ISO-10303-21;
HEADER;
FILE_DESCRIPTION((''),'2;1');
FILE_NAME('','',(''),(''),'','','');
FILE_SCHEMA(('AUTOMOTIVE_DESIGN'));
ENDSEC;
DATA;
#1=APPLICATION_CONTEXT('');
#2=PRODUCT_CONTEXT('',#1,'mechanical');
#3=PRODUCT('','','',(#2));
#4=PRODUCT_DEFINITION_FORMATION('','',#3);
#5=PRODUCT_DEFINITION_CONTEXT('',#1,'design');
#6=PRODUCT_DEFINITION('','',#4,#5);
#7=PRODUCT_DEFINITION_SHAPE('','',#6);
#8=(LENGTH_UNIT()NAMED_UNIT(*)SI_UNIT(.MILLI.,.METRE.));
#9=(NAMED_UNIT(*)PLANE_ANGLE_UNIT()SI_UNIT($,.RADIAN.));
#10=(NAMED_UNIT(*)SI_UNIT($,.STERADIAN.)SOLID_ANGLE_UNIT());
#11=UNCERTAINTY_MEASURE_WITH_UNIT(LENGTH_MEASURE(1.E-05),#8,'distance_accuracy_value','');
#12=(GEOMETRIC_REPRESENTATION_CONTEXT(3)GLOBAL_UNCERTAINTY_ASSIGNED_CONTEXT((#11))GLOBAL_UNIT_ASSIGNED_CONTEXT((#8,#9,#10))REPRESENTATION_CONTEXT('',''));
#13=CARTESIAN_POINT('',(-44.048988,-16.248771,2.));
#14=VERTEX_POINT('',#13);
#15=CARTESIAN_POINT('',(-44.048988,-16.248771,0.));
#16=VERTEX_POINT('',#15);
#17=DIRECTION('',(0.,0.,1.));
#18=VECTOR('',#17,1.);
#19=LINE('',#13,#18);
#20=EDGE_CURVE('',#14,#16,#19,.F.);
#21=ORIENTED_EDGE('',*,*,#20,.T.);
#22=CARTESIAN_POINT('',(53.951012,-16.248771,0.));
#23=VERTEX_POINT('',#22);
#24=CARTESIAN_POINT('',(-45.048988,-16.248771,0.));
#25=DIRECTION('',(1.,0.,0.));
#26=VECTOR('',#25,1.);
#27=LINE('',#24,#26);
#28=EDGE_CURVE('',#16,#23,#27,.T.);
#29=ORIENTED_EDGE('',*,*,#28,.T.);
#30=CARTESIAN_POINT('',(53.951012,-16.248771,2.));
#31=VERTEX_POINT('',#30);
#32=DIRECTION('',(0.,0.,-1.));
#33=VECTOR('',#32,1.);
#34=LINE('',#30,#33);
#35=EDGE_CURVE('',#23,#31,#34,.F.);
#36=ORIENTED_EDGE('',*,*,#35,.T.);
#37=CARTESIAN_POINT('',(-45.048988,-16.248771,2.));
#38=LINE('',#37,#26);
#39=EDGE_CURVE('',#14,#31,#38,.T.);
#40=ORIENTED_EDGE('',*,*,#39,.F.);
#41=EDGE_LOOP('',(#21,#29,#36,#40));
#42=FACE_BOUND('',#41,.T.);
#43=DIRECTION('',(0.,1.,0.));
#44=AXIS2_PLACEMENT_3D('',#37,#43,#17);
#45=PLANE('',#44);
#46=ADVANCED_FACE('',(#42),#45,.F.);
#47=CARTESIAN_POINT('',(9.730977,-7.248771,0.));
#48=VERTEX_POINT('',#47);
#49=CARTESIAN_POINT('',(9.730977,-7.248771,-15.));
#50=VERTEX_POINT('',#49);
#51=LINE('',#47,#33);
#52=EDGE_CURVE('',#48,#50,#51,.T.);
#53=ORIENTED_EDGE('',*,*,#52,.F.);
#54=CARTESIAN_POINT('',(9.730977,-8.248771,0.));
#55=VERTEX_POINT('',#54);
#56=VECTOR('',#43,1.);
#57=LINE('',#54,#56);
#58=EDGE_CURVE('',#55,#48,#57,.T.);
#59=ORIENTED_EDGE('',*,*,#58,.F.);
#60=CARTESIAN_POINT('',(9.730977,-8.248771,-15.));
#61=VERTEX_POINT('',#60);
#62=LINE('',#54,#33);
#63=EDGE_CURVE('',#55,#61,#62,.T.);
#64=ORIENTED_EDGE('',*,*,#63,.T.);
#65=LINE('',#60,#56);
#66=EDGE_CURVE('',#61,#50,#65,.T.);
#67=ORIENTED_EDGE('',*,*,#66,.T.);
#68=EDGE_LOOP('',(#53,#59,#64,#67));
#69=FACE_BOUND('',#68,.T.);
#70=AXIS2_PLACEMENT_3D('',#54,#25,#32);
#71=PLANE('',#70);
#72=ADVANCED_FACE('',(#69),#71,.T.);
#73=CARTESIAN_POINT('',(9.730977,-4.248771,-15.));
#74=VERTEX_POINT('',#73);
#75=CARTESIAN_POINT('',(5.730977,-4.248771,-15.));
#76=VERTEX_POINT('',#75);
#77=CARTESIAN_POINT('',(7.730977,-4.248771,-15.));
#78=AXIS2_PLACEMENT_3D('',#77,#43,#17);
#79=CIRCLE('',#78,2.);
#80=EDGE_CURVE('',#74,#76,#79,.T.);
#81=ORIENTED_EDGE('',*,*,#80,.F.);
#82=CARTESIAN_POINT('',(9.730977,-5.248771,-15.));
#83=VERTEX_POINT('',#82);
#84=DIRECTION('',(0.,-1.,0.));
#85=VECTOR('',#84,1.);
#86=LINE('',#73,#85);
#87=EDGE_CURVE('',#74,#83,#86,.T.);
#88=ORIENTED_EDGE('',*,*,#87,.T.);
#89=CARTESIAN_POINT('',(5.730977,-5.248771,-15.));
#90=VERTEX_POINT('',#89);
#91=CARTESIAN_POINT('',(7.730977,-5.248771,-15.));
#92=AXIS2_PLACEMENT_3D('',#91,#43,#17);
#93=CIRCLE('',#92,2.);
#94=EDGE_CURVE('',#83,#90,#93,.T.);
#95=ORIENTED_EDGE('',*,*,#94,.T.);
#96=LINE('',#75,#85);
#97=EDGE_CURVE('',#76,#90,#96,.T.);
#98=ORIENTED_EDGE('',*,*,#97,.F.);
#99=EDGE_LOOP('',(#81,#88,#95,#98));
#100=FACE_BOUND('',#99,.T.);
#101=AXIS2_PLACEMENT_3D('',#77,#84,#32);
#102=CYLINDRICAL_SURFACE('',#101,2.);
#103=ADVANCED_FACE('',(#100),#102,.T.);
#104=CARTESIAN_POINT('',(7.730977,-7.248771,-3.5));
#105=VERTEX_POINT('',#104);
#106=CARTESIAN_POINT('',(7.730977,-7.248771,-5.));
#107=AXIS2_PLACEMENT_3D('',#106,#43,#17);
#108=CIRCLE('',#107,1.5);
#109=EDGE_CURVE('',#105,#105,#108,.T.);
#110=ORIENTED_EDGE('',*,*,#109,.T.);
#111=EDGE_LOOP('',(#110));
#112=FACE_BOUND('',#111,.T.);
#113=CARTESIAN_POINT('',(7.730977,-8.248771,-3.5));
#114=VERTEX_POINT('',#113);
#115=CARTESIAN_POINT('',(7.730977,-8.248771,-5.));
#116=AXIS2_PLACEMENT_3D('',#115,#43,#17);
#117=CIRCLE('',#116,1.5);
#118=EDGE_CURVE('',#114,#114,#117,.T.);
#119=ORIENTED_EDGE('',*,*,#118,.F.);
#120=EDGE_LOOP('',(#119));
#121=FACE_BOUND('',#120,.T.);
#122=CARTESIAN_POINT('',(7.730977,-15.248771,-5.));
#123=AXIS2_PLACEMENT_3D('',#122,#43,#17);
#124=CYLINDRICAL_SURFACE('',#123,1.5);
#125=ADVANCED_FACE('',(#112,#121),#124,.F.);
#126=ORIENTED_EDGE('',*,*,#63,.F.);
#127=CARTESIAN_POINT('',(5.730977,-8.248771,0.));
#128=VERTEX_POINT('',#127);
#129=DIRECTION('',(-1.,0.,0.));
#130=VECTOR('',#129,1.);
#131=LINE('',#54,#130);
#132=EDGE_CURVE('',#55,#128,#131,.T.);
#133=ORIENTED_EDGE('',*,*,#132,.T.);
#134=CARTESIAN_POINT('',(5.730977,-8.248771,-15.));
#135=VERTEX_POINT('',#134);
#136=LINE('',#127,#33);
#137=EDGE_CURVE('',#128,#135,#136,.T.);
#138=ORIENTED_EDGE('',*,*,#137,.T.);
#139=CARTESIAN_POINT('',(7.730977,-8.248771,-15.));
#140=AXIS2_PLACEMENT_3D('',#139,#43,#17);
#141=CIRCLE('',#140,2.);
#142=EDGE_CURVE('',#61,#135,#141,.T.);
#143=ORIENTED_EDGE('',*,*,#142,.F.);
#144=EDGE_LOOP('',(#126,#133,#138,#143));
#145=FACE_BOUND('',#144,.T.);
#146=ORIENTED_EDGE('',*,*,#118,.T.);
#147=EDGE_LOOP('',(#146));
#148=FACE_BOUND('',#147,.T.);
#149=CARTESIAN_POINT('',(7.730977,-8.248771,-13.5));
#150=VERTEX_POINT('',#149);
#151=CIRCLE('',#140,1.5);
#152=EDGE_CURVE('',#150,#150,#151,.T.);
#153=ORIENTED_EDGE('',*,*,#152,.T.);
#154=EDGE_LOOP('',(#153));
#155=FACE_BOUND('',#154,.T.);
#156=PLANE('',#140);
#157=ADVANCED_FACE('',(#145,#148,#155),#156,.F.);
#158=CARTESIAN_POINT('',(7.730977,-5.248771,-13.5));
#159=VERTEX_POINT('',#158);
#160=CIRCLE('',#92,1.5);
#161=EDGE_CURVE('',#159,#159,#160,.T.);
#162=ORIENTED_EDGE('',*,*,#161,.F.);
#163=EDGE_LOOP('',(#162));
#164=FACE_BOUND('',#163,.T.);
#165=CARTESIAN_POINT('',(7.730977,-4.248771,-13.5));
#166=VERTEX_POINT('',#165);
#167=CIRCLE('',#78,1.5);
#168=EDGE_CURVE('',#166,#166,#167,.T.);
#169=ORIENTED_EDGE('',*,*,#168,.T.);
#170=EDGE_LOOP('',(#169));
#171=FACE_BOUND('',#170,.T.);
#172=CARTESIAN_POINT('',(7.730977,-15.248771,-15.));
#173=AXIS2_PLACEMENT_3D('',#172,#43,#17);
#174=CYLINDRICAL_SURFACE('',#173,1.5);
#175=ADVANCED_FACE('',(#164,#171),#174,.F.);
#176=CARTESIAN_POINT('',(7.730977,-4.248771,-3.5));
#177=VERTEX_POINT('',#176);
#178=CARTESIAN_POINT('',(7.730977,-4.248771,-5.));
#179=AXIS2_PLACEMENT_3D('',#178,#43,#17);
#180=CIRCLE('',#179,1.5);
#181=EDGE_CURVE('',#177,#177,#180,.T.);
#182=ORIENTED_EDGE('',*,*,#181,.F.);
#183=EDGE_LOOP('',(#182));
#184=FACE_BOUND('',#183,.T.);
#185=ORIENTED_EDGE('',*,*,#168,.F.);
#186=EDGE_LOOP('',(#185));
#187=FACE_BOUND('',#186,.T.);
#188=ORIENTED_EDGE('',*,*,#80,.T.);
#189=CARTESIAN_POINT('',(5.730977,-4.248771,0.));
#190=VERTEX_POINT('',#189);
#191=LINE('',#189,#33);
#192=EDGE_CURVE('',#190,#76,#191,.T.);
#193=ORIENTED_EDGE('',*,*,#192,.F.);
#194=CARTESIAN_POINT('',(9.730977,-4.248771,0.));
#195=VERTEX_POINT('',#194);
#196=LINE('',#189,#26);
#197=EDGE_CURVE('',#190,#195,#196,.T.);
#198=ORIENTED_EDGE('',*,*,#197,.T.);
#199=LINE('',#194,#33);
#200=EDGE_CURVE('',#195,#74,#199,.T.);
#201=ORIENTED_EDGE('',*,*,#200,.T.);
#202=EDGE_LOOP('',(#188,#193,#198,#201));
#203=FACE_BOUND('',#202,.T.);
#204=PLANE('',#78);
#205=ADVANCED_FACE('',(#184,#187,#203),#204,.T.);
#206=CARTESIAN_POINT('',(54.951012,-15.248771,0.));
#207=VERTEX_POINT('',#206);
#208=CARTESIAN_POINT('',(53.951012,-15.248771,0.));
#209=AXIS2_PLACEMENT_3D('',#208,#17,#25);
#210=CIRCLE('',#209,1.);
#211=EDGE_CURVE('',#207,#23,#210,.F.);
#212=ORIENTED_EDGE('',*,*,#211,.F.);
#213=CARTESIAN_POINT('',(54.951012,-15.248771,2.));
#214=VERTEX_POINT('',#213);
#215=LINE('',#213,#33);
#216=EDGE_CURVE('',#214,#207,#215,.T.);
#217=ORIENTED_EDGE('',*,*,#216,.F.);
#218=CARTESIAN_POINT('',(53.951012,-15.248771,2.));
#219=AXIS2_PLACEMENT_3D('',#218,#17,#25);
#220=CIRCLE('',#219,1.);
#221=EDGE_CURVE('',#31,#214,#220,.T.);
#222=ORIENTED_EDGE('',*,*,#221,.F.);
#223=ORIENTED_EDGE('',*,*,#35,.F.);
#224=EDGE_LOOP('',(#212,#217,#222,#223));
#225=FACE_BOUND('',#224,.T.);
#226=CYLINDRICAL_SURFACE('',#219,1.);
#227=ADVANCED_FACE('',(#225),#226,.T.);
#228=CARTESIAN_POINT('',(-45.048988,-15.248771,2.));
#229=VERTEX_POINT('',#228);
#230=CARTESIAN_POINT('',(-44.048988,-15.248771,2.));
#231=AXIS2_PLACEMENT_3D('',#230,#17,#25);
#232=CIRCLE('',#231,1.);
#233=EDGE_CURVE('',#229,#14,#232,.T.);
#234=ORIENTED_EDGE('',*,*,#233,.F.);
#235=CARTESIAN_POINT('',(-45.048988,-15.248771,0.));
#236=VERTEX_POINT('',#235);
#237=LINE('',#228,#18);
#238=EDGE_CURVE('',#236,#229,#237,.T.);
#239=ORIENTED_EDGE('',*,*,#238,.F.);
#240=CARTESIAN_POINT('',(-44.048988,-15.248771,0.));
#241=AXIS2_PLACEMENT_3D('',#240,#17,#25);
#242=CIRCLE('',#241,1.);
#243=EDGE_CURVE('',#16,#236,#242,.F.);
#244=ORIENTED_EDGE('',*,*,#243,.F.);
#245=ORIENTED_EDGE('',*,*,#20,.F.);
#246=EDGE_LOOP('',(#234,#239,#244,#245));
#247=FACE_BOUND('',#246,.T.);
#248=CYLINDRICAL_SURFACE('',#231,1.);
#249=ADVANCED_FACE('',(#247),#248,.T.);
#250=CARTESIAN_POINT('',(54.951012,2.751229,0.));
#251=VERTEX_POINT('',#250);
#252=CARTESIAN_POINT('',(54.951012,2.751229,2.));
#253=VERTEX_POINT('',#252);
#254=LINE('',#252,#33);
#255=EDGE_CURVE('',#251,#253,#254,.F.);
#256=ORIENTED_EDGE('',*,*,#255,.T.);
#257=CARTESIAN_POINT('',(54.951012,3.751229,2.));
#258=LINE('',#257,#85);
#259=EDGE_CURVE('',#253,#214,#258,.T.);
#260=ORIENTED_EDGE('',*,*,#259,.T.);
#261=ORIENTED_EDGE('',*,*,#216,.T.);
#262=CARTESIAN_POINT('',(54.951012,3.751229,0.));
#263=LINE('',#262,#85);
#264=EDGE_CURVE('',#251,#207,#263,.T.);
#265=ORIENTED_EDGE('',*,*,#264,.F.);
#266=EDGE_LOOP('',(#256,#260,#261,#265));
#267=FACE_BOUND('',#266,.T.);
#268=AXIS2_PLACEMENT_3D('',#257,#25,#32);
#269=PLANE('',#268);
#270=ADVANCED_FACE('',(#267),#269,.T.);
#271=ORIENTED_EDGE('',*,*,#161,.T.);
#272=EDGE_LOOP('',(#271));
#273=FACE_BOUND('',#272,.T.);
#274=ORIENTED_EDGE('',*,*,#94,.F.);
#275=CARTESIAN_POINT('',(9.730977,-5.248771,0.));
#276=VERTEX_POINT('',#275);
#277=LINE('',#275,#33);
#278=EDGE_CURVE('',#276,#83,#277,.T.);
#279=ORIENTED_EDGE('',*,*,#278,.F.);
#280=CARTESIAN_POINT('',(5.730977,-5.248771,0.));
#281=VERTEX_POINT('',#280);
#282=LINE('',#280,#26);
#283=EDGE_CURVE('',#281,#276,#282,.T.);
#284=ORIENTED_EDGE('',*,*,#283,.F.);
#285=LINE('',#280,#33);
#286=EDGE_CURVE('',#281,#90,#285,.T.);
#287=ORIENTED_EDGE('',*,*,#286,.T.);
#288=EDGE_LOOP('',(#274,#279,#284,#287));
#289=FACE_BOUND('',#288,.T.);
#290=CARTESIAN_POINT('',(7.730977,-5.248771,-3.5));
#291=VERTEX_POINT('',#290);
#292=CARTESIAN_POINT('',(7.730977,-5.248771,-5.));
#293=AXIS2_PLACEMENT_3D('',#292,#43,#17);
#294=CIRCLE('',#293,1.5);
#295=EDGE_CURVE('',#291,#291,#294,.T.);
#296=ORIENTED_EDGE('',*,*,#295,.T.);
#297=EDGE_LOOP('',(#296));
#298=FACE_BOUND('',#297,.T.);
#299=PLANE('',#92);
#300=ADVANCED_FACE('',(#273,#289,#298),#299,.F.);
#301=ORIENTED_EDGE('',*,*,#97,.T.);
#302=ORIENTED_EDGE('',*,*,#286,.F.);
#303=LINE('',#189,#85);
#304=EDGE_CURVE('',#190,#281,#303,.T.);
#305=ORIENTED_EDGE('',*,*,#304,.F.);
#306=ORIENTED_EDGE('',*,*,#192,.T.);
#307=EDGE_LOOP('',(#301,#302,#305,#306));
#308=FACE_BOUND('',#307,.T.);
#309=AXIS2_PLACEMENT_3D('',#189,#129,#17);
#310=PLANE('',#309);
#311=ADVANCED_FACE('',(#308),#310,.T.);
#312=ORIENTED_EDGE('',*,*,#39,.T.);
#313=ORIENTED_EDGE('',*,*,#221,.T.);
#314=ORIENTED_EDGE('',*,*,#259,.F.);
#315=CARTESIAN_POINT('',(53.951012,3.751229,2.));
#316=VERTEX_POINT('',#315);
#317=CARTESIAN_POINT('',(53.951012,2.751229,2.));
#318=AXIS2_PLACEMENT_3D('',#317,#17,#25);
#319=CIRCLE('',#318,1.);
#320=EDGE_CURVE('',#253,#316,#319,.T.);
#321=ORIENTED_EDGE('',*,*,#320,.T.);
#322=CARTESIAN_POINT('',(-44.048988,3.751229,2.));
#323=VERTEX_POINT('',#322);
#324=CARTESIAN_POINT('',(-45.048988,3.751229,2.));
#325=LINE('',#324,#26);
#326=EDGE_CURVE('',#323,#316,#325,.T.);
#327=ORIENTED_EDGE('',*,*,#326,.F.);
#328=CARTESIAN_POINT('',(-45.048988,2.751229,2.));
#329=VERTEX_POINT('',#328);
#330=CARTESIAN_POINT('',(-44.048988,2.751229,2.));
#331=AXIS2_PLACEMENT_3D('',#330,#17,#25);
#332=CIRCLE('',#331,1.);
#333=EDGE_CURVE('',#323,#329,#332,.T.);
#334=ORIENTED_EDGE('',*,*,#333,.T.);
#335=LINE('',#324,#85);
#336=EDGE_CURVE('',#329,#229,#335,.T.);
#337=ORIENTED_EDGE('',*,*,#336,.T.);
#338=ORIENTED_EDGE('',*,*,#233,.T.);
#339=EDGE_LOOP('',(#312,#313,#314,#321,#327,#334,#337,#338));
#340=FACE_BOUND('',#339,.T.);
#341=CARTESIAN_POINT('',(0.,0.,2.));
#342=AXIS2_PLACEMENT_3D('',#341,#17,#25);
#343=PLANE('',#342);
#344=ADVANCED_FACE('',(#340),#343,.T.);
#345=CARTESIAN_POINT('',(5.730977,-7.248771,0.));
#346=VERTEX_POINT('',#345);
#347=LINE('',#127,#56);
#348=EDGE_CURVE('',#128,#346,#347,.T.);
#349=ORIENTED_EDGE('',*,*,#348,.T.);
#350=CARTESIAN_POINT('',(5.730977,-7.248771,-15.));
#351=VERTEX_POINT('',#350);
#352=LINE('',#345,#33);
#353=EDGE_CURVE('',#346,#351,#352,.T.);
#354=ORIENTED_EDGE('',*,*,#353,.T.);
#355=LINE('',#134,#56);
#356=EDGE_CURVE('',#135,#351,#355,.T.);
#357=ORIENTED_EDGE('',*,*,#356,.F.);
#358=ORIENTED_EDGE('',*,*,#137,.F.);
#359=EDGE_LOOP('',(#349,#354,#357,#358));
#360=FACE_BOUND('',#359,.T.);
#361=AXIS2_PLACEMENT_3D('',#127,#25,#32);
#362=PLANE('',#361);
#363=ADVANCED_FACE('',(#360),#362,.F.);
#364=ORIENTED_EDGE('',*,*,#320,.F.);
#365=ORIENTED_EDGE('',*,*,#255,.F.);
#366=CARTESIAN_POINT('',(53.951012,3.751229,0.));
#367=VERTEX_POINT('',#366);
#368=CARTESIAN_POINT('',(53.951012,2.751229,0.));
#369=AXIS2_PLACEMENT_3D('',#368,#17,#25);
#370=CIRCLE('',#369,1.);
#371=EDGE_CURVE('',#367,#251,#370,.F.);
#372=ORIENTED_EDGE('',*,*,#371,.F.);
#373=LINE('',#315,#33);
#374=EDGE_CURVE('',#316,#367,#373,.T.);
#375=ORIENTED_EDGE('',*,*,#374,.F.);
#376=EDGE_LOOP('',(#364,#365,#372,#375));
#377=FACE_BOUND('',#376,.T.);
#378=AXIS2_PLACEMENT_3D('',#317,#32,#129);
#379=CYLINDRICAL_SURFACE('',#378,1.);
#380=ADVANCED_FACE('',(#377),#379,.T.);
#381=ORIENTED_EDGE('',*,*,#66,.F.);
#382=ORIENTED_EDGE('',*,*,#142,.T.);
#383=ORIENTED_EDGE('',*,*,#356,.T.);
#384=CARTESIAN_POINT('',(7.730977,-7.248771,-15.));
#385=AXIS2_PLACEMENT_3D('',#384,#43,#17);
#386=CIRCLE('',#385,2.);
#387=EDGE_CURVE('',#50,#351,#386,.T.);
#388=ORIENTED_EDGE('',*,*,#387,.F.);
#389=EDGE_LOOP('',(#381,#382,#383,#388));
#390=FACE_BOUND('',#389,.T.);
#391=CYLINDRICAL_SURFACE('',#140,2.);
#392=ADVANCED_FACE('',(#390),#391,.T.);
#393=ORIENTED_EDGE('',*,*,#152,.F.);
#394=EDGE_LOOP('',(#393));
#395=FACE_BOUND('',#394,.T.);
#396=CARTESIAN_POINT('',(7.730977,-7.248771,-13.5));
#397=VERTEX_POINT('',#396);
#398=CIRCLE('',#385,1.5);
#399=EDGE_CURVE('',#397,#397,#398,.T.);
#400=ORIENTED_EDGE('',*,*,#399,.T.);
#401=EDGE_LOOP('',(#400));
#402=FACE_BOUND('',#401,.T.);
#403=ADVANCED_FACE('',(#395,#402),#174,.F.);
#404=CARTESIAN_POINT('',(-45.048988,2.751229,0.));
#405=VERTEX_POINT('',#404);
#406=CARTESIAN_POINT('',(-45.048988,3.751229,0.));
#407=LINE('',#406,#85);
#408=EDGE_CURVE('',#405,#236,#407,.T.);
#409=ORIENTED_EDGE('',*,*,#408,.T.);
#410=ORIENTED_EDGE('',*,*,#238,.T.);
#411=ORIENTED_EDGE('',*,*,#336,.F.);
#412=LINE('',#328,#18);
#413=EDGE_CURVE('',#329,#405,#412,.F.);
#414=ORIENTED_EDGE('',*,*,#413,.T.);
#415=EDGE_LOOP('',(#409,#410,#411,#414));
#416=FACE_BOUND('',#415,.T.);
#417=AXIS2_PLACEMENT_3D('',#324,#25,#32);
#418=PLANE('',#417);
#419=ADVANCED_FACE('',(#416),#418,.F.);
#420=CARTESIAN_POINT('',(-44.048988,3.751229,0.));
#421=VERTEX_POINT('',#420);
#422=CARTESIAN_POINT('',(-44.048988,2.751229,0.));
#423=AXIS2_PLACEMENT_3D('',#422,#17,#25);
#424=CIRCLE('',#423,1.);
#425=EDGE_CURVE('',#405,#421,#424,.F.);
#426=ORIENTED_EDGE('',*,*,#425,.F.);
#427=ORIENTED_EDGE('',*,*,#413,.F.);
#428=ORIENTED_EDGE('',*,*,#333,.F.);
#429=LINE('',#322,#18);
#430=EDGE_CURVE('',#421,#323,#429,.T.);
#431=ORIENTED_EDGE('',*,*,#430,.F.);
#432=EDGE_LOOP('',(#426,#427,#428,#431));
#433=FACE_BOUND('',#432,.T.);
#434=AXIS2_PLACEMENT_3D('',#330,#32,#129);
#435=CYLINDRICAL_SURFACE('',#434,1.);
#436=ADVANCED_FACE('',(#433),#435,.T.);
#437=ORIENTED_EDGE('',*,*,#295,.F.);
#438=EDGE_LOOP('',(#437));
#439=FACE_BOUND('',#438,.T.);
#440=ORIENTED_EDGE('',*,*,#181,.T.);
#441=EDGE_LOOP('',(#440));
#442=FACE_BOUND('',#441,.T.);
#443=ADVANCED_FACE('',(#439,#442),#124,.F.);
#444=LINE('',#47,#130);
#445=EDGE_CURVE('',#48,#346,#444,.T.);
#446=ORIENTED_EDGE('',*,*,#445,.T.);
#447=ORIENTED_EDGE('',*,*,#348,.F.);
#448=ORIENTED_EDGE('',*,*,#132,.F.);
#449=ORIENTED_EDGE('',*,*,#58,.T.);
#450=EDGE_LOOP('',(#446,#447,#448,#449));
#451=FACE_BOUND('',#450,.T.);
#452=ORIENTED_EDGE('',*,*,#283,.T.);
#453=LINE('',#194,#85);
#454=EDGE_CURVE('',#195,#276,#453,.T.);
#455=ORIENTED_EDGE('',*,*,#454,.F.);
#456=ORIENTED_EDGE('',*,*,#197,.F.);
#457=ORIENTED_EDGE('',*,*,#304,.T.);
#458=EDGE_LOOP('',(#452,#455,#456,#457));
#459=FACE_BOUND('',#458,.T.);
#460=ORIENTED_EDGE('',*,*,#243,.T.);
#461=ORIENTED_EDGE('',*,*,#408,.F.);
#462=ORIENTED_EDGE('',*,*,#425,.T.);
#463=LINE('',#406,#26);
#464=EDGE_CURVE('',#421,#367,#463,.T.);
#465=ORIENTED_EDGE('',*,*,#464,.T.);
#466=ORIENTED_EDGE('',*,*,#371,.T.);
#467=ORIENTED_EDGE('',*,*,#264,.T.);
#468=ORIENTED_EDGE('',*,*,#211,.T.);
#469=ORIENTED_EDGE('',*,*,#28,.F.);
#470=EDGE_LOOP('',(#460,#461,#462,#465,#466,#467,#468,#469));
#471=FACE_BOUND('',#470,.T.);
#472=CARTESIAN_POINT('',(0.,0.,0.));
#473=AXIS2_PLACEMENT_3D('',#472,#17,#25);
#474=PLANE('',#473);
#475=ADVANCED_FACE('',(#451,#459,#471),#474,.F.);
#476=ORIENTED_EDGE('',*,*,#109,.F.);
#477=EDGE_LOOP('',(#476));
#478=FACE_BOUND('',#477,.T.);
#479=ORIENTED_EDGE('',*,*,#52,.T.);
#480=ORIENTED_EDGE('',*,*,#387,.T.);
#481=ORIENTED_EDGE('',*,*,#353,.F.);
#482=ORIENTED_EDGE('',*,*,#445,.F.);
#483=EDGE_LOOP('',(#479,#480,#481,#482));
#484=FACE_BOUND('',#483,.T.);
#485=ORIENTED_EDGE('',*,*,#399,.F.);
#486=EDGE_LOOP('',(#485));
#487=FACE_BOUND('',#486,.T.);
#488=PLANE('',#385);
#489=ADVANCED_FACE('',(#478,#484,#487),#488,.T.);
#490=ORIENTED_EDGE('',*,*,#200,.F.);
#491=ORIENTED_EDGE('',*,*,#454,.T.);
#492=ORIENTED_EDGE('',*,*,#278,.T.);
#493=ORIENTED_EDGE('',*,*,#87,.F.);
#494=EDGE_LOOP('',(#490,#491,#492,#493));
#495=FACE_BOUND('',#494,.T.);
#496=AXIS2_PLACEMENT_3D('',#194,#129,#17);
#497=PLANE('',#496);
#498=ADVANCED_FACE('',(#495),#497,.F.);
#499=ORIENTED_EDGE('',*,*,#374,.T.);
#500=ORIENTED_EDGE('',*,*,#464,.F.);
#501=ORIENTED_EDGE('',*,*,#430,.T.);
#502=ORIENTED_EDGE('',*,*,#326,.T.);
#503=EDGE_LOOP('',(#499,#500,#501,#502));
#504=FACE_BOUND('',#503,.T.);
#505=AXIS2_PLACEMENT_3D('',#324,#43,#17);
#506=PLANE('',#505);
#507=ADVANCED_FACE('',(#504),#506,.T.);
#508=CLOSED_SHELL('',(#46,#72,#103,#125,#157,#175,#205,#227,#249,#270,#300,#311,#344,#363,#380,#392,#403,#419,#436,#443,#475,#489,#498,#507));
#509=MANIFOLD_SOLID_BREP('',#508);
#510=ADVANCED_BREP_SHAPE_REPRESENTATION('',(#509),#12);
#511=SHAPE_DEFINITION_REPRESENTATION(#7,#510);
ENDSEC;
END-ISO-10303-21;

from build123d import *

# Parameters (mm, degrees)
SKETCH1_W           = 100
SKETCH1_H           = 20
BOSS_EXTRUDE1_DEPTH = 2
FILLET6_R           = 1
FILLET7_R           = 1
FILLET8_R           = 1
FILLET9_R           = 1
BOSS_EXTRUDE2_DEPTH = 1
BOSS_EXTRUDE3_START = 1
BOSS_EXTRUDE3_DEPTH = 1
SKETCH4_R           = 1.5
CUT_EXTRUDE4_DEPTH  = 11


with BuildPart() as part:
    # Sketch1 → Boss-Extrude1 (new body)
    with BuildSketch(Plane.XY):
        with Locations((4.951011889, -6.24877109)):
            Rectangle(SKETCH1_W, SKETCH1_H)
    extrude(amount=BOSS_EXTRUDE1_DEPTH)

    # Fillet6
    fillet6_edges = [part.edges().sort_by_distance(p)[0] for p in [
        (54.951011889, -16.24877109, 1),
    ]]
    fillet(fillet6_edges, radius=FILLET6_R)

    # Fillet7
    fillet7_edges = [part.edges().sort_by_distance(p)[0] for p in [
        (-45.048988111, -16.24877109, 1),
    ]]
    fillet(fillet7_edges, radius=FILLET7_R)

    # Fillet8
    fillet8_edges = [part.edges().sort_by_distance(p)[0] for p in [
        (-45.048988111, 3.75122891, 1),
    ]]
    fillet(fillet8_edges, radius=FILLET8_R)

    # Fillet9
    fillet9_edges = [part.edges().sort_by_distance(p)[0] for p in [
        (54.951011889, 3.75122891, 1),
    ]]
    fillet(fillet9_edges, radius=FILLET9_R)

    # Sketch2 → Boss-Extrude2 (add)
    with BuildSketch(Plane(origin=(0, -7.24877109, 0), x_dir=(-1, 0, 0), z_dir=(0, -1, 0))):
        with BuildLine():
            Line((-9.730976741, 0), (-9.730976741, 15))
            ThreePointArc((-9.730976741, 15), (-7.730976741, 17), (-5.730976741, 15))
            Line((-5.730976741, 15), (-5.730976741, 0))
            Line((-5.730976741, 0), (-9.730976741, 0))
        make_face()
    extrude(amount=BOSS_EXTRUDE2_DEPTH)

    # Sketch3 → Boss-Extrude3 (add)
    with BuildSketch(Plane(origin=(0, -5.24877109, 0), x_dir=(1, 0, 0), z_dir=(0, 1, 0)).offset(BOSS_EXTRUDE3_START)):
        with BuildLine():
            Line((5.730976741, 0), (5.730976741, 15))
            ThreePointArc((5.730976741, 15), (7.730976741, 17), (9.730976741, 15))
            Line((9.730976741, 15), (9.730976741, 0))
            Line((9.730976741, 0), (5.730976741, 0))
        make_face()
    extrude(amount=-BOSS_EXTRUDE3_DEPTH)

    # Sketch4 → Cut-Extrude4 (cut)
    with BuildSketch(Plane(origin=(0, -4.24877109, 0), x_dir=(1, 0, 0), z_dir=(0, 1, 0))):
        with Locations(Location((7.730976741, 15, 0), (0, 0, 270))):
            Circle(SKETCH4_R)
        with Locations(Location((7.730976741, 5, 0), (0, 0, 270))):
            Circle(SKETCH4_R)
    extrude(amount=-CUT_EXTRUDE4_DEPTH, mode=Mode.SUBTRACT)


solid = part.part
